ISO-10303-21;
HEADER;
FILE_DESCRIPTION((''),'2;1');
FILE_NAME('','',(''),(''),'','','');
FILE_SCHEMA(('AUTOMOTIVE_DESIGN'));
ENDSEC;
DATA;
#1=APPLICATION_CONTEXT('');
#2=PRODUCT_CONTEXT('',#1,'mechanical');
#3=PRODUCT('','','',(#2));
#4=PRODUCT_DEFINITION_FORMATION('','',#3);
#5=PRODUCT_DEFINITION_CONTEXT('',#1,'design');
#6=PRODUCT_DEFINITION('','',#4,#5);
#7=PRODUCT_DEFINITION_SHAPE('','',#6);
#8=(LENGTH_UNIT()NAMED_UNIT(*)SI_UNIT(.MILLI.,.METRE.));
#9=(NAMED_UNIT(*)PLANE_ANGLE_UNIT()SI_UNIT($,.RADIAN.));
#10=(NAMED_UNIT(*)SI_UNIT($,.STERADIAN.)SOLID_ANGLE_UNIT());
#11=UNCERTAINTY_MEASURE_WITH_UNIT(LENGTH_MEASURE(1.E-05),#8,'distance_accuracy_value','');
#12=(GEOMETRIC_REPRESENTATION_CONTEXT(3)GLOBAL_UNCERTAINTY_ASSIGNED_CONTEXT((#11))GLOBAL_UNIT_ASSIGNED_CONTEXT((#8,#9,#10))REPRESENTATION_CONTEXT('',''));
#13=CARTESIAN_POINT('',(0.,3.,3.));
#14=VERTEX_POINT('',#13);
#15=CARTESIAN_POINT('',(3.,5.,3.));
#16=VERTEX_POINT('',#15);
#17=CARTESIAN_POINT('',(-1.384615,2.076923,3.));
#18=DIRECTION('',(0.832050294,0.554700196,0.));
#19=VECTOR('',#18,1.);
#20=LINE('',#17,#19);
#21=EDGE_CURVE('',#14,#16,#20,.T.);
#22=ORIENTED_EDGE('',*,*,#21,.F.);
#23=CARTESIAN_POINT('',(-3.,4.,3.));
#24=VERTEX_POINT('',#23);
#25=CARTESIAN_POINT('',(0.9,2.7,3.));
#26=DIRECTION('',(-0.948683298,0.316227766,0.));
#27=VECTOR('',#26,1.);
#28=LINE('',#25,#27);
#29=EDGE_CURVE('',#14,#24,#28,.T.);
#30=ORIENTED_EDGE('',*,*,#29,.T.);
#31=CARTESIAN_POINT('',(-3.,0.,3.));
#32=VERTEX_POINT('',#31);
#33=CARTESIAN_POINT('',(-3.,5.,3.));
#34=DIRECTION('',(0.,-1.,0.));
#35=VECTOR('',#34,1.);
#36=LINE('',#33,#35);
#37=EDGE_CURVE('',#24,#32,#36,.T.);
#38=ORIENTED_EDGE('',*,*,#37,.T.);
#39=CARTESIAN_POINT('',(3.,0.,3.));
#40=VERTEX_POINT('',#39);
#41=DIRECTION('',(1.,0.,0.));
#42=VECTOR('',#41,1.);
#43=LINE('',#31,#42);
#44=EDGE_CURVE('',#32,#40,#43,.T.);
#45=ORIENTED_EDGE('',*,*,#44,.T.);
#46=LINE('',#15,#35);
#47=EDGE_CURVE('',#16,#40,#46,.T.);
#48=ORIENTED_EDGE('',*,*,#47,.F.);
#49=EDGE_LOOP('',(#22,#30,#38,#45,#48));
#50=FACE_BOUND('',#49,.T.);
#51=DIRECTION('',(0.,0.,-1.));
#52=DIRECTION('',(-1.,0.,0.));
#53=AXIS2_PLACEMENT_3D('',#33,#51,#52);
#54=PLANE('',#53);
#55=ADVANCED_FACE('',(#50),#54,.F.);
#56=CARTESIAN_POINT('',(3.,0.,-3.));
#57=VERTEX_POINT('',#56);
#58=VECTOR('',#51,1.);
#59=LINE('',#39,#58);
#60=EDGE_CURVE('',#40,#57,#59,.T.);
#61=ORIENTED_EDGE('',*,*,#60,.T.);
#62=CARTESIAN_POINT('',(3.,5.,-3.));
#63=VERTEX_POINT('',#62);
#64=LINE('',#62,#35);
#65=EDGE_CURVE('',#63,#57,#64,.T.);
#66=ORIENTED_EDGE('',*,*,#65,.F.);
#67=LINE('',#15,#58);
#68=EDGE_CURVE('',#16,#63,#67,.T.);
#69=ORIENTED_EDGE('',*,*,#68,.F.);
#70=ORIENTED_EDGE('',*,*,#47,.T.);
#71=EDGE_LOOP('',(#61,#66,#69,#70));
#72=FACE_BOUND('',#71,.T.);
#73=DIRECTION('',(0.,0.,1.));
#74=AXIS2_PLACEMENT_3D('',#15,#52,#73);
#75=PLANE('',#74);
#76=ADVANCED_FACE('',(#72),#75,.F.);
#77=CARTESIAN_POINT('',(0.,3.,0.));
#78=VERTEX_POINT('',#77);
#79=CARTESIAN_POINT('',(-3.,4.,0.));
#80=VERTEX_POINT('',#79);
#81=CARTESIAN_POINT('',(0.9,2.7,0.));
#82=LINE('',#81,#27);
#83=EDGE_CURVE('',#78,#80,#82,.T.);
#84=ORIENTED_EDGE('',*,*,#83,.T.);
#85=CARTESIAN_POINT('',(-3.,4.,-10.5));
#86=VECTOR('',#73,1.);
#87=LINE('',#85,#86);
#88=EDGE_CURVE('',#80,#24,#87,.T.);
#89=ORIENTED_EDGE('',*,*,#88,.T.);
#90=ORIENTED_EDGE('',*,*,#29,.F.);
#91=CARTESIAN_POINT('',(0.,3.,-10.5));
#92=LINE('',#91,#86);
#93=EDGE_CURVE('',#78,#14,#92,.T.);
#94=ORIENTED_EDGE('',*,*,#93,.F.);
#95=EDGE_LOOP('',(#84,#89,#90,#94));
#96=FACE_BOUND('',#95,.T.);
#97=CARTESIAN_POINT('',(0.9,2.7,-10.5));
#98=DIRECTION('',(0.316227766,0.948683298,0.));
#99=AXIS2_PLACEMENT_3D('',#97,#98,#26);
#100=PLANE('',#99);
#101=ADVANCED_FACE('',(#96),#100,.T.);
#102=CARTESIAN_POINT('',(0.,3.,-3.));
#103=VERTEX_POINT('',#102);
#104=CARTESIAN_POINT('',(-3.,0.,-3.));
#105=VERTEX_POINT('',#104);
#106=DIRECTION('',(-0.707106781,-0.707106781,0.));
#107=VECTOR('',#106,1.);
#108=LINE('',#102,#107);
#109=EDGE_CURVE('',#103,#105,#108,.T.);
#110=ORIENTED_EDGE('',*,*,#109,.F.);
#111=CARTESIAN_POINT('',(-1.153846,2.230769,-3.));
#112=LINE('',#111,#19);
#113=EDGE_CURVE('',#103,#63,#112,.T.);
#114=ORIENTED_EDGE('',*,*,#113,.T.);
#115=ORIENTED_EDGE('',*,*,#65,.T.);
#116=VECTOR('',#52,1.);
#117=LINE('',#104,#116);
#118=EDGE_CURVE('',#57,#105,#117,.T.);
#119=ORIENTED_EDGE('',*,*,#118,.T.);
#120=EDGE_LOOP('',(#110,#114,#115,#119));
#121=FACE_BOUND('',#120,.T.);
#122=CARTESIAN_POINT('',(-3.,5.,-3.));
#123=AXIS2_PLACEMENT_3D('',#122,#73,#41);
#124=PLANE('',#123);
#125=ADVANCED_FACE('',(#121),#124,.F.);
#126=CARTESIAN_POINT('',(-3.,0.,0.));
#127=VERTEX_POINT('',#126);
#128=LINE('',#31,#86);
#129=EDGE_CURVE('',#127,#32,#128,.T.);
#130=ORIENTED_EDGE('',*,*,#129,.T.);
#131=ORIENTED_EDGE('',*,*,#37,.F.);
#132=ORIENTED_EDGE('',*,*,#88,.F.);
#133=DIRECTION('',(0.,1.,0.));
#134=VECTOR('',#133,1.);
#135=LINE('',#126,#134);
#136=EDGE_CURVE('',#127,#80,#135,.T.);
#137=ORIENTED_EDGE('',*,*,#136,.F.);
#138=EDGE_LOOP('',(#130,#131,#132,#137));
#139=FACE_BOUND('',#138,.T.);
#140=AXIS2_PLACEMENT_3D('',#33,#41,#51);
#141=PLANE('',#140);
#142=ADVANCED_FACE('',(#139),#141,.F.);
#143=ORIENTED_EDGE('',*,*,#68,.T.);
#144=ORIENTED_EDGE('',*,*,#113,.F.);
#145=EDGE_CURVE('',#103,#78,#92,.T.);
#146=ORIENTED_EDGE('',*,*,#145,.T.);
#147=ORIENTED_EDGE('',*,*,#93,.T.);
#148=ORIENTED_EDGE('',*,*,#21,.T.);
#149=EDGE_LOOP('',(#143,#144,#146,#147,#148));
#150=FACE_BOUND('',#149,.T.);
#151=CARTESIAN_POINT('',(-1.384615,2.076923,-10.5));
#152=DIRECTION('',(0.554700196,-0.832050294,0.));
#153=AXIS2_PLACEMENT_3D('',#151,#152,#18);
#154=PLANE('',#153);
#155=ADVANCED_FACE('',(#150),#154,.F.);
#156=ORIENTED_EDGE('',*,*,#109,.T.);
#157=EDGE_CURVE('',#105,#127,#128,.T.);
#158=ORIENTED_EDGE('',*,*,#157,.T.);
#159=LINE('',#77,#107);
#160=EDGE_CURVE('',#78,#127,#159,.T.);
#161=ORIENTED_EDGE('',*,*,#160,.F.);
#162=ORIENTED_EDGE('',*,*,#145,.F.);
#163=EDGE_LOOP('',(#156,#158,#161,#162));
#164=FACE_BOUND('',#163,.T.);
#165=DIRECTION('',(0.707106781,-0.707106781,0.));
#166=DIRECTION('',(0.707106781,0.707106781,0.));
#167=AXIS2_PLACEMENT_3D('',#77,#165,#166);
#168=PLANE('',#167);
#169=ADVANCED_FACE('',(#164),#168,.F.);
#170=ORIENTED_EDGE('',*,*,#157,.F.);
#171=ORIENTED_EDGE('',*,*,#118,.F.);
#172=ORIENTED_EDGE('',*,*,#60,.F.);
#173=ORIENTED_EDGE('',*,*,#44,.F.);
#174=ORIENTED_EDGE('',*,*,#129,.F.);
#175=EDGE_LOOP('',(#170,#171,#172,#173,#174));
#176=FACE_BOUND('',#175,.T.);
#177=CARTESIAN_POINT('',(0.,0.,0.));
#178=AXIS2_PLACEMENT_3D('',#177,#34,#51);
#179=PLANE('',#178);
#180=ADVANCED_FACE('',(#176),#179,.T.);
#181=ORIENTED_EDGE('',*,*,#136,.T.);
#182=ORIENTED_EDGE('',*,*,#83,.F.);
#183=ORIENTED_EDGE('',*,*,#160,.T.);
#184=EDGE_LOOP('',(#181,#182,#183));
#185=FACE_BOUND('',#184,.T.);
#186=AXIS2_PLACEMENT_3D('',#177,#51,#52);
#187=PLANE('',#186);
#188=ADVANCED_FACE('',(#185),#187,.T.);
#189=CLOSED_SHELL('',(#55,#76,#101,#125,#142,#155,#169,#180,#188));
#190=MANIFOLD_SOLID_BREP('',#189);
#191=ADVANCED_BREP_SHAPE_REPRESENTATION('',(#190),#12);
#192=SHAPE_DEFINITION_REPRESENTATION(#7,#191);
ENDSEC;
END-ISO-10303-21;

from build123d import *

# Parameters (mm, degrees)
SKETCH1_W           = 6
SKETCH1_H           = 6
BOSS_EXTRUDE1_DEPTH = 5
CUT_EXTRUDE3_DEPTH  = 13.5
CUT_EXTRUDE4_DEPTH  = 3


with BuildPart() as part:
    # Sketch1 → Boss-Extrude1 (new body)
    with BuildSketch(Plane(origin=(0, 0, 0), x_dir=(1, 0, 0), z_dir=(0, 1, 0))):
        Rectangle(SKETCH1_W, SKETCH1_H)
    extrude(amount=BOSS_EXTRUDE1_DEPTH)

    # Sketch5 → Cut-Extrude3 (cut)
    with BuildSketch(Plane.XY.offset(3)):
        Polygon((-3, 5), (0, 3), (3, 5), align=None)
        Polygon((0, 3), (-3, 5), (-3, 4), align=None)
    extrude(amount=-CUT_EXTRUDE3_DEPTH, mode=Mode.SUBTRACT)

    # Sketch7 → Cut-Extrude4 (cut)
    with BuildSketch(Plane(origin=(0, 0, -3), x_dir=(-1, 0, 0), z_dir=(0, 0, -1))):
        Polygon((0, 3), (3, 0), (3, 6), align=None)
    extrude(amount=-CUT_EXTRUDE4_DEPTH, mode=Mode.SUBTRACT)


solid = part.part
